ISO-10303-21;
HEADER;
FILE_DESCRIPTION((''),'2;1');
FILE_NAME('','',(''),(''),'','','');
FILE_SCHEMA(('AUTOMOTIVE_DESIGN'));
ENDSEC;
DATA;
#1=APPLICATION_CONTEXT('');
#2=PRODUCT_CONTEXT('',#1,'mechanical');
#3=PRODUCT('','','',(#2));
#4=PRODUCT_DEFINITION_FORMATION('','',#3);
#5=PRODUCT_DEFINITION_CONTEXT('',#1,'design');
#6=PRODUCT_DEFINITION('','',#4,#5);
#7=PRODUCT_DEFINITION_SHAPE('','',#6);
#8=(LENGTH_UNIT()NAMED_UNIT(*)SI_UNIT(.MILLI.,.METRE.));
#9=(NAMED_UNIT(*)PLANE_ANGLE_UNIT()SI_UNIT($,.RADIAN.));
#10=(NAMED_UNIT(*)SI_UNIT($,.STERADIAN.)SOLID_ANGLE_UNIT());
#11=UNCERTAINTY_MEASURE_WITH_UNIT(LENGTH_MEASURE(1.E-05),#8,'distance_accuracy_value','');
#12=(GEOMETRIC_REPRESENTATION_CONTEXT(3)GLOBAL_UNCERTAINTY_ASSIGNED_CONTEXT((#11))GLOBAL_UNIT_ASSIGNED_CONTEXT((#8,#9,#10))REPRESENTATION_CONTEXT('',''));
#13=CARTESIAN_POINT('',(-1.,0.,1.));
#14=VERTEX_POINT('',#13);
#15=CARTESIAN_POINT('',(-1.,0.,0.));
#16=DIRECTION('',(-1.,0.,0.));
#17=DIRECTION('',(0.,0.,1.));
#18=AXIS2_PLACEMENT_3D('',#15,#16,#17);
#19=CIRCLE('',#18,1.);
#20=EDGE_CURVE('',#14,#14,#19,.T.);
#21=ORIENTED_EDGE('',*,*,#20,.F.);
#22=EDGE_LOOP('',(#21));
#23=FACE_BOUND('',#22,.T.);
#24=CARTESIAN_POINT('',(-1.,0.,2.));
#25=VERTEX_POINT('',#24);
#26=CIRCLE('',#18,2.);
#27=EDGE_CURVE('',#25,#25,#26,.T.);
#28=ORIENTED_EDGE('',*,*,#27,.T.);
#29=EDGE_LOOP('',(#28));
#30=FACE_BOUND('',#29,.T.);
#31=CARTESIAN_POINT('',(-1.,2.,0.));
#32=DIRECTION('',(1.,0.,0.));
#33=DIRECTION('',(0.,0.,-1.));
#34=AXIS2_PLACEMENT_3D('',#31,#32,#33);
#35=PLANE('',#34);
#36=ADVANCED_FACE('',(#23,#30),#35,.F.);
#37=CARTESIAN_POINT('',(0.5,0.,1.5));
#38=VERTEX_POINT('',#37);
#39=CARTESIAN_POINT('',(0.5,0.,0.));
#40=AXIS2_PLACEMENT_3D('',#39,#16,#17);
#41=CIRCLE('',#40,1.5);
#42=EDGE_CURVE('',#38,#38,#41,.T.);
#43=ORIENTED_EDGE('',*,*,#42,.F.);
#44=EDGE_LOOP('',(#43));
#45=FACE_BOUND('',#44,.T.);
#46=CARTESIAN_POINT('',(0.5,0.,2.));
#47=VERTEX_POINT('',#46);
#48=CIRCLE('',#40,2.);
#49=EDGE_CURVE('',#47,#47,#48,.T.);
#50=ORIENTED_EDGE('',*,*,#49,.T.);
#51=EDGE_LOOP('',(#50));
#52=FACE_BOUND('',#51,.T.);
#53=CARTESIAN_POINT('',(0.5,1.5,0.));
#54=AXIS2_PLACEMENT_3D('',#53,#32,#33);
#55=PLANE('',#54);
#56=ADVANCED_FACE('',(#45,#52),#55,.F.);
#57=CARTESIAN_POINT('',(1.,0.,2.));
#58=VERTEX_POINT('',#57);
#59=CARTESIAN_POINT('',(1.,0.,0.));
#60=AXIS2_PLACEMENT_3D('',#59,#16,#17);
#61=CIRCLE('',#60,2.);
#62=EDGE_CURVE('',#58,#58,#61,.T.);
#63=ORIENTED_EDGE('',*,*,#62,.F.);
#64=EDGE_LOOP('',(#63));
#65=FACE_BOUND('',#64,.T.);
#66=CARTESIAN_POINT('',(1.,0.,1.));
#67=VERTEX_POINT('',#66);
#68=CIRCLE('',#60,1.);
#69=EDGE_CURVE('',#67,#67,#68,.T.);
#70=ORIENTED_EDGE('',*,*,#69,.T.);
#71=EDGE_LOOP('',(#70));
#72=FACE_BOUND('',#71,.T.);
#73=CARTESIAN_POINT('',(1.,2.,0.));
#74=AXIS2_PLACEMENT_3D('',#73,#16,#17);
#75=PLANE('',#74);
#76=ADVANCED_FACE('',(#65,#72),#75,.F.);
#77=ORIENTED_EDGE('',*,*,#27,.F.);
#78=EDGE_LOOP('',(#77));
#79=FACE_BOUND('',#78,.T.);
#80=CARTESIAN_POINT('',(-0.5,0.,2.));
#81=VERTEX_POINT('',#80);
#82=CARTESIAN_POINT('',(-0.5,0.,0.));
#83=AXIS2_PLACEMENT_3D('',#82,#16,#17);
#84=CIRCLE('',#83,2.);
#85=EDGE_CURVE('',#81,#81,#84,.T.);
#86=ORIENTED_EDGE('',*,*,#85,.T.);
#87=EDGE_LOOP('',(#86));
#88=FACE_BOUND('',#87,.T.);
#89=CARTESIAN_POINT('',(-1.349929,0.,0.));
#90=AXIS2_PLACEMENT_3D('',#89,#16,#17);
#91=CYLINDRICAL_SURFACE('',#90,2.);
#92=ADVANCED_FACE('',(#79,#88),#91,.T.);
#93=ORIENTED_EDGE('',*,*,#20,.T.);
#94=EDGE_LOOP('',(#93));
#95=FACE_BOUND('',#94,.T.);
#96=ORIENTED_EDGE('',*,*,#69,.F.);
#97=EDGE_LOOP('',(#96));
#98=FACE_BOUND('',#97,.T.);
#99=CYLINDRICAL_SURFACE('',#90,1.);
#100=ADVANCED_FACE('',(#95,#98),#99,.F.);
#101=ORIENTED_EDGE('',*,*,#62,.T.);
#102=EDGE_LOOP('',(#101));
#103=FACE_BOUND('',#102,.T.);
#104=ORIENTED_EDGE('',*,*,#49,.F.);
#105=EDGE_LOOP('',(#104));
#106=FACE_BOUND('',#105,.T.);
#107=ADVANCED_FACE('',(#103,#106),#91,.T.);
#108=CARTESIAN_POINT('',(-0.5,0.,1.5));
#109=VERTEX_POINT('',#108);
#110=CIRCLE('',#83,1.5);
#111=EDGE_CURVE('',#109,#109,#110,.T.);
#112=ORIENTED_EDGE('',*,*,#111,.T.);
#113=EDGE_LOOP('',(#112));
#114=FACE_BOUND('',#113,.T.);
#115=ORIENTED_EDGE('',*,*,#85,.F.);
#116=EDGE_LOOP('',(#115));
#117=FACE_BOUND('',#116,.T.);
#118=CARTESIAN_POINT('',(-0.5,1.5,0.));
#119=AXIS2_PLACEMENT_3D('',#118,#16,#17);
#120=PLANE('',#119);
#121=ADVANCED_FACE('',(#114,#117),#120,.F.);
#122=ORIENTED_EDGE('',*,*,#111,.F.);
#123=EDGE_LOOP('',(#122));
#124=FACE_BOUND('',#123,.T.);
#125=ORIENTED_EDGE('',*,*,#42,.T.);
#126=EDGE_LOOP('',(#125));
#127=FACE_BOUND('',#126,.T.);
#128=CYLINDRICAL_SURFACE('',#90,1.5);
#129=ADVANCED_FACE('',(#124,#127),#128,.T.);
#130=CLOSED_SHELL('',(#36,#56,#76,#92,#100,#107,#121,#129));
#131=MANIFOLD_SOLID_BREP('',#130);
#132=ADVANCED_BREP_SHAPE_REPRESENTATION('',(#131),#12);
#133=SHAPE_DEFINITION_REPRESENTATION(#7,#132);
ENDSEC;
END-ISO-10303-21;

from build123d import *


with BuildPart() as part:
    # Esquisse1 → Révolution1 (revolve)
    with BuildSketch(Plane.XY):
        Polygon((-0.5, 1.5), (0.5, 1.5), (0.5, 2), (1, 2), (1, 1), (-1, 1), (-1, 2), (-0.5, 2), align=None)
    revolve(axis=Axis((-1.349929212, 0, 0), (1, 0, 0)))


solid = part.part
